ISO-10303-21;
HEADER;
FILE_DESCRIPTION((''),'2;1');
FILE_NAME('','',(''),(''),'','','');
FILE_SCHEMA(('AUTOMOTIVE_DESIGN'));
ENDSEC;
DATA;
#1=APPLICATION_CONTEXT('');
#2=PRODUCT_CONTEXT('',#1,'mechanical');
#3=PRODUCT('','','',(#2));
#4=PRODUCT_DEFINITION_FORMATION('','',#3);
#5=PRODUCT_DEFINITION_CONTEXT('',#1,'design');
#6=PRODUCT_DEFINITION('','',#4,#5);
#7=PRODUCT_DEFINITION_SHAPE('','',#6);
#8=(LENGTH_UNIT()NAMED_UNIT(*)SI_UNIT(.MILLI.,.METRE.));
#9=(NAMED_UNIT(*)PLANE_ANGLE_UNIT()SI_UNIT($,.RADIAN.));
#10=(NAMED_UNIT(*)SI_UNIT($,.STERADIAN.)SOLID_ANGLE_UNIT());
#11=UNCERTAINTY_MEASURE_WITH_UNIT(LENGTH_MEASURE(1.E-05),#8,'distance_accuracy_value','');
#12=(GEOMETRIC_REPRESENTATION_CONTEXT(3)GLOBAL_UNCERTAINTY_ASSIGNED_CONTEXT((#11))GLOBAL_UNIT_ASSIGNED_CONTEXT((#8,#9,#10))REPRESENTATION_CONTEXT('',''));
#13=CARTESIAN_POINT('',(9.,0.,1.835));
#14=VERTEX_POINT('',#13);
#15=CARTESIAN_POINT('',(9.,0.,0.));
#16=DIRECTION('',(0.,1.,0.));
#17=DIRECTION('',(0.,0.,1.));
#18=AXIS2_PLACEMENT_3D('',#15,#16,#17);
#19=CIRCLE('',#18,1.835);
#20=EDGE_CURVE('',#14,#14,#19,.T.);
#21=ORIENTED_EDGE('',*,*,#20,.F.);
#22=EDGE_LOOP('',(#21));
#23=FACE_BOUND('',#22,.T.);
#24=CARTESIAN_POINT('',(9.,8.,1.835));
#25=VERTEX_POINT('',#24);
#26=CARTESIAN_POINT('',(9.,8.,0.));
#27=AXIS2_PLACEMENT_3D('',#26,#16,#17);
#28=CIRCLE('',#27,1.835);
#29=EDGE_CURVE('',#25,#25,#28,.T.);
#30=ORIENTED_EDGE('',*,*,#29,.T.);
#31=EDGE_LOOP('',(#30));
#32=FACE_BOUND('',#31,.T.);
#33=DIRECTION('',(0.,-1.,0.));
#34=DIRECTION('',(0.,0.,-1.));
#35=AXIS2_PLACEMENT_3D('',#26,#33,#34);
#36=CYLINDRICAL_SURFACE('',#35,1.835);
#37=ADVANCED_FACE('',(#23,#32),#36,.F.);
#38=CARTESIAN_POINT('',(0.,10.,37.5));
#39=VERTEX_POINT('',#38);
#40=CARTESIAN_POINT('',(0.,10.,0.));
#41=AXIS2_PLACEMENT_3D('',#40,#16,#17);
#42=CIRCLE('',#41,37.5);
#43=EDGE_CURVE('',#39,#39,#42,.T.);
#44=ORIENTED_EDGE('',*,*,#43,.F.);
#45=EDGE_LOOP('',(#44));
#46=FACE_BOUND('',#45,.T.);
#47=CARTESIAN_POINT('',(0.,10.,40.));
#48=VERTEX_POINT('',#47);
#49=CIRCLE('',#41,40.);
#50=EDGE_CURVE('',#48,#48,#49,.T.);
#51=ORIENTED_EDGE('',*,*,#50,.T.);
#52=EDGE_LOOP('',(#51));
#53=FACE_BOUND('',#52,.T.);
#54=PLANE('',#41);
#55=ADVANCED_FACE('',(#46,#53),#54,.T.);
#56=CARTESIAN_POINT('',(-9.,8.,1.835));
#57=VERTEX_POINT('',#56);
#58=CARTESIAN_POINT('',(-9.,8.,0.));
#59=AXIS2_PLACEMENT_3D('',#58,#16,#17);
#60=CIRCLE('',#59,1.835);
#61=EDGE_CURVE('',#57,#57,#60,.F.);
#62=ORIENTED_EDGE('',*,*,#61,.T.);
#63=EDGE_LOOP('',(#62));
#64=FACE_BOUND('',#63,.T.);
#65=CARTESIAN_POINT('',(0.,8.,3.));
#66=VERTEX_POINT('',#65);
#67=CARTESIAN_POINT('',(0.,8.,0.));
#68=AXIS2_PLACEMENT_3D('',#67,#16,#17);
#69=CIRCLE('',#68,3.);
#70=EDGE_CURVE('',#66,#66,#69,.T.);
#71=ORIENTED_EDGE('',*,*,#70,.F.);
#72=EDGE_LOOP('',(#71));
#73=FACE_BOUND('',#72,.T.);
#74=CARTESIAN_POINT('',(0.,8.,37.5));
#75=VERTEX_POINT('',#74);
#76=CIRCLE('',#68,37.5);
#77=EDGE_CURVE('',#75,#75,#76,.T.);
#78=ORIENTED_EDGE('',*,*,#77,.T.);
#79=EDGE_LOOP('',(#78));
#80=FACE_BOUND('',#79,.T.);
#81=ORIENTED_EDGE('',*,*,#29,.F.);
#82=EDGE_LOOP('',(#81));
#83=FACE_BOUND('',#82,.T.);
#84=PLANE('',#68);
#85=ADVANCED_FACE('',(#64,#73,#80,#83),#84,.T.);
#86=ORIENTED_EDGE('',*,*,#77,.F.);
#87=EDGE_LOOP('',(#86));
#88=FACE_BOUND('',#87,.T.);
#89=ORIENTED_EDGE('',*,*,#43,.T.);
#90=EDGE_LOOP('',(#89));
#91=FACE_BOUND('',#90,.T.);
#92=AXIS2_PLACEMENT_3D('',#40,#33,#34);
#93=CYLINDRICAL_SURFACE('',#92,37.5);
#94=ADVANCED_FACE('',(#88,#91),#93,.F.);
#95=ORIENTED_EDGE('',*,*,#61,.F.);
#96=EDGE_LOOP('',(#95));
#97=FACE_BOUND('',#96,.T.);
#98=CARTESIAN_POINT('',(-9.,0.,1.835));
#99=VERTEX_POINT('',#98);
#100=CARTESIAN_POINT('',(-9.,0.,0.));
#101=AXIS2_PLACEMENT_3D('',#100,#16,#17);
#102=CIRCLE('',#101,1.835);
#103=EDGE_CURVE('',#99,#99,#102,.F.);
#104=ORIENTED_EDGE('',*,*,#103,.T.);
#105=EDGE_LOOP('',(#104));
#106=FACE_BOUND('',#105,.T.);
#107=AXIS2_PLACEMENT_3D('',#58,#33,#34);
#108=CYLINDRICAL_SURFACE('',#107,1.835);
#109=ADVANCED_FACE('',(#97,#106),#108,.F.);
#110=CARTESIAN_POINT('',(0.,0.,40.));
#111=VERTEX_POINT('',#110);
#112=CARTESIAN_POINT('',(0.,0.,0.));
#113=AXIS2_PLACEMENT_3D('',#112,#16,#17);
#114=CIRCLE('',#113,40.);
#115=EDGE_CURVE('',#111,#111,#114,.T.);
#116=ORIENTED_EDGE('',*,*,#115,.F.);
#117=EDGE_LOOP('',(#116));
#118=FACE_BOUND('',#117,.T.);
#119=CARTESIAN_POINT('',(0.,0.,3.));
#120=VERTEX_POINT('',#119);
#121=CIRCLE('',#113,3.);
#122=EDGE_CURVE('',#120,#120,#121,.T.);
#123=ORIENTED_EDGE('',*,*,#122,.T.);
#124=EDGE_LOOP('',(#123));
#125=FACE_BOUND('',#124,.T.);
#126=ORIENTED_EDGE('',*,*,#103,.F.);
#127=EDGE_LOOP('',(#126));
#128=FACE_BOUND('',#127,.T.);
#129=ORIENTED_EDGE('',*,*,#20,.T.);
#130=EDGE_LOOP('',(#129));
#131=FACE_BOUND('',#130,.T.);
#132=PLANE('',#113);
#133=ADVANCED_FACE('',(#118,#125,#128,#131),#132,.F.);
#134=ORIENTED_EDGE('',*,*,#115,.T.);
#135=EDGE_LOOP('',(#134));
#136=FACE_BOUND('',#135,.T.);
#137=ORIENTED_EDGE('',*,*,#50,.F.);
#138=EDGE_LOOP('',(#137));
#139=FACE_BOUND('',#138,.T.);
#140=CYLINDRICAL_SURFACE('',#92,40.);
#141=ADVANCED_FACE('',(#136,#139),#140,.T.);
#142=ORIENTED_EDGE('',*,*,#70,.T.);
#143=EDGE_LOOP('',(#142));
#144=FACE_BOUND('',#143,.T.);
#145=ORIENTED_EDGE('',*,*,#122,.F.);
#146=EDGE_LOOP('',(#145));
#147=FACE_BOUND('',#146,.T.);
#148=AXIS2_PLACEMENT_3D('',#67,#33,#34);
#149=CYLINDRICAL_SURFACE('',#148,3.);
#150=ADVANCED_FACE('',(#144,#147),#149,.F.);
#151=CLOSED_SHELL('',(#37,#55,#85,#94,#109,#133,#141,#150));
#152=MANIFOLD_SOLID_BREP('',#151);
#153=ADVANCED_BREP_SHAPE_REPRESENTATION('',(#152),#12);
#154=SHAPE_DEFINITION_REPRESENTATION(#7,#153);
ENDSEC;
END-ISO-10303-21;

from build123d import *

# Parameters (mm, degrees)
SKETCH2_R           = 40
SKETCH2_R_2         = 37.5
BOSS_EXTRUDE1_DEPTH = 10
SKETCH2_4_R         = 37.5
SKETCH2_4_R_2       = 1.835
SKETCH2_4_R_3       = 3
BOSS_EXTRUDE2_DEPTH = 8


with BuildPart() as part:
    # Sketch2 → Boss-Extrude1 (new body)
    with BuildSketch(Plane(origin=(0, 0, 0), x_dir=(1, 0, 0), z_dir=(0, 1, 0))):
        Circle(SKETCH2_R)
        Circle(SKETCH2_R_2, mode=Mode.SUBTRACT)
    extrude(amount=BOSS_EXTRUDE1_DEPTH)

    # Sketch2<4> → Boss-Extrude2 (add)
    with BuildSketch(Plane(origin=(0, 0, 0), x_dir=(1, 0, 0), z_dir=(0, 1, 0))):
        Circle(SKETCH2_4_R)
        with Locations((-9, 0)):
            Circle(SKETCH2_4_R_2, mode=Mode.SUBTRACT)
        Circle(SKETCH2_4_R_3, mode=Mode.SUBTRACT)
        with Locations((9, 0)):
            Circle(SKETCH2_4_R_2, mode=Mode.SUBTRACT)
    extrude(amount=BOSS_EXTRUDE2_DEPTH)


solid = part.part
